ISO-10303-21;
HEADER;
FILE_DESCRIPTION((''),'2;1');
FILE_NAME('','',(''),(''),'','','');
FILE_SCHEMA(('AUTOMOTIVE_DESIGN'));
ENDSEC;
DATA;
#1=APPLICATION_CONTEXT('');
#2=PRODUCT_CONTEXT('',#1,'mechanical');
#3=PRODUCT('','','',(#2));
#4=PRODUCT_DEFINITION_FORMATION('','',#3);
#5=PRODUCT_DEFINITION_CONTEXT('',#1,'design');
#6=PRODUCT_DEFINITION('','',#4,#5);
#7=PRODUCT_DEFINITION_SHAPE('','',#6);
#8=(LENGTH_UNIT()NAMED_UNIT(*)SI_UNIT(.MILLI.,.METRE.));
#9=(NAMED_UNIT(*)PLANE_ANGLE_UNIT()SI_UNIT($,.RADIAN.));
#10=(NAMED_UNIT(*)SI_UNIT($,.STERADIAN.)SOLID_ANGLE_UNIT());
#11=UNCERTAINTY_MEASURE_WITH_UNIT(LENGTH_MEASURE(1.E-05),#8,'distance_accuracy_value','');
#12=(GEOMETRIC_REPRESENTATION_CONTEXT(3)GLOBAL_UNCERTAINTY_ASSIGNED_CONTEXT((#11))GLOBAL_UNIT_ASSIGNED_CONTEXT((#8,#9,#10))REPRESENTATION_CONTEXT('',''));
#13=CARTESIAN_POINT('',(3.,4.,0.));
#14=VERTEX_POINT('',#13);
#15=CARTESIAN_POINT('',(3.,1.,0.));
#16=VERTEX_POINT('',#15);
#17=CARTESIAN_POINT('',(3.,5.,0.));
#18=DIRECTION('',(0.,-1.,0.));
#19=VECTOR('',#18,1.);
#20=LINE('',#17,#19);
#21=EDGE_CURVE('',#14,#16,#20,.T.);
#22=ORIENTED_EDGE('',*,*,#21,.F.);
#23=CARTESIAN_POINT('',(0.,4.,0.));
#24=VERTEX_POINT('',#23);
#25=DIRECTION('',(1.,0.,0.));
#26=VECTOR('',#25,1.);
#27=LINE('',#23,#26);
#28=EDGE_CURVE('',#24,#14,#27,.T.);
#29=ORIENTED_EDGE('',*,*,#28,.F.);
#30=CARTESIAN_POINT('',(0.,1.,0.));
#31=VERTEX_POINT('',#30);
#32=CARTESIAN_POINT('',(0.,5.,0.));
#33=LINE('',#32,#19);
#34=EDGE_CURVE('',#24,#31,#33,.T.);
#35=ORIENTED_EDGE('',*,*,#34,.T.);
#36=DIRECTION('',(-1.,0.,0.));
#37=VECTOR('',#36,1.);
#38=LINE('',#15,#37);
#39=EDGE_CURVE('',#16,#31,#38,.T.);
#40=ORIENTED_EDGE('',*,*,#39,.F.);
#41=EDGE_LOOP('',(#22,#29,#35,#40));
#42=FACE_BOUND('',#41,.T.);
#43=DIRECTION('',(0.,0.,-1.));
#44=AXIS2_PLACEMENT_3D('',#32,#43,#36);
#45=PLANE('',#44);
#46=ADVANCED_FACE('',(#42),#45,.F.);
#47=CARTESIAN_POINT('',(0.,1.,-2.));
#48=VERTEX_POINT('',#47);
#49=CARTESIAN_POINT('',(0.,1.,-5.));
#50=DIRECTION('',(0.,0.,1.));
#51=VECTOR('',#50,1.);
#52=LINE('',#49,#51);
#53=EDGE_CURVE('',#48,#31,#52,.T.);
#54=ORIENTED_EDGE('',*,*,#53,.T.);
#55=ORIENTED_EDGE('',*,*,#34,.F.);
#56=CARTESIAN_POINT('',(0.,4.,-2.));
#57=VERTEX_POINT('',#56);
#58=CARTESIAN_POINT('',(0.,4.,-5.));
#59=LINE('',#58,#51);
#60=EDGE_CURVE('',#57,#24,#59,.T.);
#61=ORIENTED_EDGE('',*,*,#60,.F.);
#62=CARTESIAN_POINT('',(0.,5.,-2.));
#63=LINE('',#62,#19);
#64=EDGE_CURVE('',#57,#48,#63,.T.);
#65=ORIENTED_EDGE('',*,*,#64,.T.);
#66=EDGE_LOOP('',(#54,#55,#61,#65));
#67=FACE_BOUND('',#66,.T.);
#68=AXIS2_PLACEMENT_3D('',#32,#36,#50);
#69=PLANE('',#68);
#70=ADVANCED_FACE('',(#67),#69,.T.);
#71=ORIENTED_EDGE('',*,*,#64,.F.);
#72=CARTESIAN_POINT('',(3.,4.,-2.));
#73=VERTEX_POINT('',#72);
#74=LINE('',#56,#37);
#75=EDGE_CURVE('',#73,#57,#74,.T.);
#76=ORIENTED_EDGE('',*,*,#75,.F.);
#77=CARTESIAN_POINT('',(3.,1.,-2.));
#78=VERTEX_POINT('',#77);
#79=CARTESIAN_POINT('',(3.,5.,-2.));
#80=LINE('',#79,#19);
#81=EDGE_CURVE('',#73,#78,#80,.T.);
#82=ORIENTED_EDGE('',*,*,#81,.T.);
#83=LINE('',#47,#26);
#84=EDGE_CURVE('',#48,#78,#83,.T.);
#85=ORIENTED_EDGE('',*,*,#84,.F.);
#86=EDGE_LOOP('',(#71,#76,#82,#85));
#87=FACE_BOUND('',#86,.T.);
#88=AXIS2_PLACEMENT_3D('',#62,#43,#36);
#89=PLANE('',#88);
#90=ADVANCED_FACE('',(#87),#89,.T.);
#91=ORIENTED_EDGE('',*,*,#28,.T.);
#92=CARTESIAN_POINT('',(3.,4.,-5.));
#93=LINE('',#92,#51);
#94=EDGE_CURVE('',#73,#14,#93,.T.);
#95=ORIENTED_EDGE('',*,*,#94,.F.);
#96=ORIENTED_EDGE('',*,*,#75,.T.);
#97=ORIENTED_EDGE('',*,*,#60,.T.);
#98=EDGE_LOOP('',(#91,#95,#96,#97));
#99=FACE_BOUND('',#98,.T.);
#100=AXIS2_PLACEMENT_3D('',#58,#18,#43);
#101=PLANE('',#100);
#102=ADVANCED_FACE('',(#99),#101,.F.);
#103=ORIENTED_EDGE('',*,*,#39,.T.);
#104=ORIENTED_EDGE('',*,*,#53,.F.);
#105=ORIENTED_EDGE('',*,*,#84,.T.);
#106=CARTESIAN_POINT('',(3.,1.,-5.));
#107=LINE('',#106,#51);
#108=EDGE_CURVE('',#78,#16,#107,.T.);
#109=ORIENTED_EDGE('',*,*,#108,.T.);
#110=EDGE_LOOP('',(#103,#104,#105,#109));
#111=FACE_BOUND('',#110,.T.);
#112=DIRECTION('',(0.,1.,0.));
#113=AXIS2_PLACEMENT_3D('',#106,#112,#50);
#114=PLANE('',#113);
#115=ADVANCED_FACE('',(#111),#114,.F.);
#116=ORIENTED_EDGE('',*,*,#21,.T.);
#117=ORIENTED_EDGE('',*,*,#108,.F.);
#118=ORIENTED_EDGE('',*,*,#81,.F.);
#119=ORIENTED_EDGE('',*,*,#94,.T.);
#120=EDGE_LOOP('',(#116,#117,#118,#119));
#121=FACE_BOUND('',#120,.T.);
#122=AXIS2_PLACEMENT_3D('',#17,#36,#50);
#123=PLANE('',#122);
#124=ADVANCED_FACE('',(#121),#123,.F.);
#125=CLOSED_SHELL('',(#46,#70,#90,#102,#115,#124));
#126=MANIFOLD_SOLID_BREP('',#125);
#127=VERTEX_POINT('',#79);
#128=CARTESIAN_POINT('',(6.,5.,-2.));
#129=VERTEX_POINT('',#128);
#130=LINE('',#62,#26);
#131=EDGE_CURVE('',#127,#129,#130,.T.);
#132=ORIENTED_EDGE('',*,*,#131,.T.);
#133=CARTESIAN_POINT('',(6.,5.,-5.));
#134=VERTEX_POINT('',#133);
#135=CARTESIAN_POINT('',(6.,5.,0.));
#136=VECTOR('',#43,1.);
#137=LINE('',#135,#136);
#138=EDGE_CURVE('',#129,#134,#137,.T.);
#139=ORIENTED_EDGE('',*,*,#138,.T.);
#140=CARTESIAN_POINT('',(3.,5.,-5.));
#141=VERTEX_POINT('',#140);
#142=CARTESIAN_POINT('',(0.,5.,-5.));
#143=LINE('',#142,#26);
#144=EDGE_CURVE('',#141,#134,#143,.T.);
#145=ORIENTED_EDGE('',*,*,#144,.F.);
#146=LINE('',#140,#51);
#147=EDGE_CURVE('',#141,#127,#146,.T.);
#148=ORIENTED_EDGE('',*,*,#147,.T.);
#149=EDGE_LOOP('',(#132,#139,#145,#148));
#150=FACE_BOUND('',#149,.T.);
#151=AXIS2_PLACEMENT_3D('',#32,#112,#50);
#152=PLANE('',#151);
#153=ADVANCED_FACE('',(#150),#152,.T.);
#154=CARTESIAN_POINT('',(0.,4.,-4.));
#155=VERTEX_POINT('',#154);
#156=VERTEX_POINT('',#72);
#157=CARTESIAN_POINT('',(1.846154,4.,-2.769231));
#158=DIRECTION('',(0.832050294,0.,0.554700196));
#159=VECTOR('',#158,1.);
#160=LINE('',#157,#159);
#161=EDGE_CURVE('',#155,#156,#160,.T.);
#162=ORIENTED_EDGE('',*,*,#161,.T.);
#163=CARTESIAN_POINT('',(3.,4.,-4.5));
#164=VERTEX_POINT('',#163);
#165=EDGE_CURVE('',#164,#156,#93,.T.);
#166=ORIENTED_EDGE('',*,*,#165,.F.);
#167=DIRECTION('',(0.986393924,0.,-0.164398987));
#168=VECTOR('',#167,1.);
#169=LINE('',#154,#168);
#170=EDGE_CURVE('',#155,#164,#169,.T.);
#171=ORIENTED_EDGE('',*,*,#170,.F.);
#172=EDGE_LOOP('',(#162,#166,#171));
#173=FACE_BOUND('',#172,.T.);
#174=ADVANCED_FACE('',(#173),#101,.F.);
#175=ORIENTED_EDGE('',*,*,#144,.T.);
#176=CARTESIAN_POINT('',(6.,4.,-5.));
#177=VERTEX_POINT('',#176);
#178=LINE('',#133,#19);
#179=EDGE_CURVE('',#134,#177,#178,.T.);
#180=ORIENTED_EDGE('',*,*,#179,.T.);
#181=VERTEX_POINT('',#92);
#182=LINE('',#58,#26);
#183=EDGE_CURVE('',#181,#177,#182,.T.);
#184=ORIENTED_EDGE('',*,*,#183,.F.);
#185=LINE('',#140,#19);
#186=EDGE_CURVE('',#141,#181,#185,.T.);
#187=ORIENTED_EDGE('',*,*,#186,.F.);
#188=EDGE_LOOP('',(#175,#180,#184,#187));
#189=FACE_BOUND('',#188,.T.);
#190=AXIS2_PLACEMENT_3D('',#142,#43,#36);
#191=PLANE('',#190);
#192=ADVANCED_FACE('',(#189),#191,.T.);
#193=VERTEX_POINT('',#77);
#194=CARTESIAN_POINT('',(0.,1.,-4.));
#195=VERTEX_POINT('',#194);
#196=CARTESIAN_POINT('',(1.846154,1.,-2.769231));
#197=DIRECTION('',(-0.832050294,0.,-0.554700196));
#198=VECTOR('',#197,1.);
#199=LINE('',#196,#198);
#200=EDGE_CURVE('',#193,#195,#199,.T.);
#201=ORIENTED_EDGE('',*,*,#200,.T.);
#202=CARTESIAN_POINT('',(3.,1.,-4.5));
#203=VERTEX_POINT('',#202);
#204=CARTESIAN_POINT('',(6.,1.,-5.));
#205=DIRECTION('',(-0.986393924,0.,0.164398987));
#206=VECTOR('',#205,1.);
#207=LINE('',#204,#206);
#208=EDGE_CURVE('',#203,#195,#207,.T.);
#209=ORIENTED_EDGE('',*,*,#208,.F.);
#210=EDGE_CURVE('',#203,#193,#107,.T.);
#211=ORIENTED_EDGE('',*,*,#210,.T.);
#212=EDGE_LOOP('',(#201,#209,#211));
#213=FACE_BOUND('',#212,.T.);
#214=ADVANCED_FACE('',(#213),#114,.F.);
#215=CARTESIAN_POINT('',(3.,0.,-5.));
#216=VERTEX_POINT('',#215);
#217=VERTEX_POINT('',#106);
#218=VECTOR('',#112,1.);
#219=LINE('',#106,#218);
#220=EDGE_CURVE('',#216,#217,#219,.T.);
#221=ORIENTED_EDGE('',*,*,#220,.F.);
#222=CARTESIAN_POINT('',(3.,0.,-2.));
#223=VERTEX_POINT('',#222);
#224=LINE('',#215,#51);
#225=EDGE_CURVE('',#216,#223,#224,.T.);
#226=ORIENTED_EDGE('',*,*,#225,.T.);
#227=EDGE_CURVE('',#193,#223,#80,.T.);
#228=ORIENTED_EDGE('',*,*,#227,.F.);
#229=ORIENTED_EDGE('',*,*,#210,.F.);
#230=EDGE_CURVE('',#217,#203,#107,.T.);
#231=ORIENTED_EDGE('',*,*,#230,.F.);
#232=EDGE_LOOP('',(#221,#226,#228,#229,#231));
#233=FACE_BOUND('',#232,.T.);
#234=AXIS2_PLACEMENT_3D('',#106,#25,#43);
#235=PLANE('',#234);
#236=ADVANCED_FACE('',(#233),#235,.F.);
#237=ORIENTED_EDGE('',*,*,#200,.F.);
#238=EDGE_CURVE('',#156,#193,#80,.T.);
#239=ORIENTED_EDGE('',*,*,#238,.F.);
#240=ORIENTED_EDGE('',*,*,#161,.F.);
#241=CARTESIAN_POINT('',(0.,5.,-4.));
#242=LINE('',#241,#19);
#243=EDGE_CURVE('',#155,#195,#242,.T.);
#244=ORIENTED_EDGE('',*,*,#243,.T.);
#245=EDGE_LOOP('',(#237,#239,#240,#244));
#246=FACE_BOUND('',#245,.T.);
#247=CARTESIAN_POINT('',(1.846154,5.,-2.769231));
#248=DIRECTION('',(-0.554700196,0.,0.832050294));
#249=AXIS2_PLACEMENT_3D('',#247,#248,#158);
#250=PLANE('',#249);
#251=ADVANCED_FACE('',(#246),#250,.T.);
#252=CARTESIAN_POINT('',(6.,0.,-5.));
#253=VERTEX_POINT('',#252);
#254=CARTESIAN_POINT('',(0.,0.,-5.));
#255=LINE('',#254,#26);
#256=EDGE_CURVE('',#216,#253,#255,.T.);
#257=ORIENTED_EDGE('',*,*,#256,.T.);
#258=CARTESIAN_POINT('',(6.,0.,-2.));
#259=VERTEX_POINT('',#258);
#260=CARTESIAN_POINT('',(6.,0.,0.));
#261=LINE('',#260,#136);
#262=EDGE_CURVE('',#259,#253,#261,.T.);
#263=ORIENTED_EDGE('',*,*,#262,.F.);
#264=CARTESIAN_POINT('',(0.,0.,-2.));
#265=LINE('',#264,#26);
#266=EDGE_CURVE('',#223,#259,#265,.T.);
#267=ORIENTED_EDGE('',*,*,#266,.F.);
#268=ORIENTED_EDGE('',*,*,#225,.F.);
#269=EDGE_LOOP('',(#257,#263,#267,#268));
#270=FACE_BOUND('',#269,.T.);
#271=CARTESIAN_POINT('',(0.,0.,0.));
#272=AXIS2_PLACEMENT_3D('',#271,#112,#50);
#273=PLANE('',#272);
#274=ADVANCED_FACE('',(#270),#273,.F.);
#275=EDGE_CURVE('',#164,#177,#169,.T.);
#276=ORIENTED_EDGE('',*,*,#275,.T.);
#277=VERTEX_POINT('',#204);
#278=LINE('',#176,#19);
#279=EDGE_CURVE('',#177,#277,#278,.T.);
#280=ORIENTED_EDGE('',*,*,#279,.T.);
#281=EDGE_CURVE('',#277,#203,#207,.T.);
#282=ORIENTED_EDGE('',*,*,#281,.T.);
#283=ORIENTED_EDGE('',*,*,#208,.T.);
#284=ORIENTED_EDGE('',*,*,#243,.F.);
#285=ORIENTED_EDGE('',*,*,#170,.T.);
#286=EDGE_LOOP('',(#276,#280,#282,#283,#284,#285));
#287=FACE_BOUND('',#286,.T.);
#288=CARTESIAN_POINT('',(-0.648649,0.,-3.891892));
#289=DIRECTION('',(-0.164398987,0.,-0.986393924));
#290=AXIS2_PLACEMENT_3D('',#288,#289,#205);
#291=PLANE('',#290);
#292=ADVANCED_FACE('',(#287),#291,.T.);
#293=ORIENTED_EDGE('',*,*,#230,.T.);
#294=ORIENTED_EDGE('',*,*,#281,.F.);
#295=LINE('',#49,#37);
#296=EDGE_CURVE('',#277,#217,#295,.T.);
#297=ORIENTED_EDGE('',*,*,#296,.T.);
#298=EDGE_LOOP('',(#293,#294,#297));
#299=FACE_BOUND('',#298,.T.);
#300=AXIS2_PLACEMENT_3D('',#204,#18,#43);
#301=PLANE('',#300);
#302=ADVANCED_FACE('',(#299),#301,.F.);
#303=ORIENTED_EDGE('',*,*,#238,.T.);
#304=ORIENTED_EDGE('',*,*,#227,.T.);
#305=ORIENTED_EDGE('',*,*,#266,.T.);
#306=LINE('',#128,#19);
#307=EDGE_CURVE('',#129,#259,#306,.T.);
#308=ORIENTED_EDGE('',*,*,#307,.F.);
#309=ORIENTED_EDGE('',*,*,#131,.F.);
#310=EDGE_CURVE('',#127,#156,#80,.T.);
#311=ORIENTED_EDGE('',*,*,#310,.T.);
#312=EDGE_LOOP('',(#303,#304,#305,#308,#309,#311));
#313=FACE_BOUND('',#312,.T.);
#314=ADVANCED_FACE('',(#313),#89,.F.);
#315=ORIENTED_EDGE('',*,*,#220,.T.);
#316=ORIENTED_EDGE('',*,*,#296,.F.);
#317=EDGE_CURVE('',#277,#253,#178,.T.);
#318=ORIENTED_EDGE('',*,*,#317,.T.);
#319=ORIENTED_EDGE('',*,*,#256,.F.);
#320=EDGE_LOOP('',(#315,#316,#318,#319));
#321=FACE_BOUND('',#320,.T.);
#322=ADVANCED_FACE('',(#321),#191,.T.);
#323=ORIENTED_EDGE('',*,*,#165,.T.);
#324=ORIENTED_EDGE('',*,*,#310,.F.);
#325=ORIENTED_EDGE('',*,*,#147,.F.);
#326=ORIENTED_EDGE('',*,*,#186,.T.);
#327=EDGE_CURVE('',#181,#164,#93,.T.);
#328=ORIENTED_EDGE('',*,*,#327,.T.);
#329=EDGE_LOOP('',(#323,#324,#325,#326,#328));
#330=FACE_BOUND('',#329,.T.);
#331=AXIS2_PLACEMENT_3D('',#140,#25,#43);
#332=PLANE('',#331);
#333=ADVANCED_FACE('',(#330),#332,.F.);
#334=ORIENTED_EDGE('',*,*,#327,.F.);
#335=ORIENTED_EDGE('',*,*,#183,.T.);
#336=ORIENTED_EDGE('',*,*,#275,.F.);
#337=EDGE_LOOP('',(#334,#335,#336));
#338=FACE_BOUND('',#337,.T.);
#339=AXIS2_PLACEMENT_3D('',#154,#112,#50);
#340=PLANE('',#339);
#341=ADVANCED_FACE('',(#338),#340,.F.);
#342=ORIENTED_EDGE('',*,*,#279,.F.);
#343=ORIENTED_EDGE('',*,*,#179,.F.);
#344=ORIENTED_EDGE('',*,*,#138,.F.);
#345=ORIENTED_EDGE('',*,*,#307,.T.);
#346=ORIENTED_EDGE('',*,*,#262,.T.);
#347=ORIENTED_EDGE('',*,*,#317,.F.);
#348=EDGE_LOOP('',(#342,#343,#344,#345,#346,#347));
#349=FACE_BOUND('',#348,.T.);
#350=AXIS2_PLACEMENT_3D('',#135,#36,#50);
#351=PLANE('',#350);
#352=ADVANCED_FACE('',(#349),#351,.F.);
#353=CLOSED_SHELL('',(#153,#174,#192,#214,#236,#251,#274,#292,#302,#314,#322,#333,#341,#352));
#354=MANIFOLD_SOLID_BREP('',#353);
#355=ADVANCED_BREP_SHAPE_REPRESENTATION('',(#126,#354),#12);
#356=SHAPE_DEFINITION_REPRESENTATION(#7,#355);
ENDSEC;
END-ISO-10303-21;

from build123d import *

# Parameters (mm, degrees)
SKETCH1_W           = 3
SKETCH1_H           = 2
SKETCH1_H_2         = 3
BOSS_EXTRUDE3_DEPTH = 5
SKETCH3_W           = 3
SKETCH3_H           = 1
CUT_EXTRUDE2_DEPTH  = 5
CUT_EXTRUDE3_DEPTH  = 5


with BuildPart() as part:
    # Sketch1 → Boss-Extrude3 (new body)
    with BuildSketch(Plane(origin=(0, 0, 0), x_dir=(1, 0, 0), z_dir=(0, 1, 0))):
        with Locations((1.5, 1)):
            Rectangle(SKETCH1_W, SKETCH1_H)
        Polygon((0, 4), (3, 5), (3, 2), align=None)
        with Locations((4.5, 3.5)):
            Rectangle(SKETCH1_W, SKETCH1_H_2)
    extrude(amount=BOSS_EXTRUDE3_DEPTH)

    # Sketch3 → Cut-Extrude2 (cut)
    with BuildSketch(Plane.XY):
        with Locations((1.5, 4.5)):
            Rectangle(SKETCH3_W, SKETCH3_H)
        with Locations((1.5, 0.5)):
            Rectangle(SKETCH3_W, SKETCH3_H)
    extrude(amount=-CUT_EXTRUDE2_DEPTH, mode=Mode.SUBTRACT)

    # 3DSketch1 → Cut-Extrude3 (cut, along a direction that is not the sketch's normal)
    with BuildSketch(Plane(origin=(0, 4, -4), x_dir=(0.8846517369293828, -0.4423258684646914, -0.14744195615489727), z_dir=(0.16439898730535743, 0, 0.9863939238321437))):
        Polygon((0, 0), (5.455352378, 2.690563219), (6.782329983, 0), (1.326977605, -2.690563219), align=None)
    extrude(amount=-CUT_EXTRUDE3_DEPTH, dir=(0.31622776601683794, 0, 0.9486832980505139), mode=Mode.SUBTRACT)


solid = part.part
